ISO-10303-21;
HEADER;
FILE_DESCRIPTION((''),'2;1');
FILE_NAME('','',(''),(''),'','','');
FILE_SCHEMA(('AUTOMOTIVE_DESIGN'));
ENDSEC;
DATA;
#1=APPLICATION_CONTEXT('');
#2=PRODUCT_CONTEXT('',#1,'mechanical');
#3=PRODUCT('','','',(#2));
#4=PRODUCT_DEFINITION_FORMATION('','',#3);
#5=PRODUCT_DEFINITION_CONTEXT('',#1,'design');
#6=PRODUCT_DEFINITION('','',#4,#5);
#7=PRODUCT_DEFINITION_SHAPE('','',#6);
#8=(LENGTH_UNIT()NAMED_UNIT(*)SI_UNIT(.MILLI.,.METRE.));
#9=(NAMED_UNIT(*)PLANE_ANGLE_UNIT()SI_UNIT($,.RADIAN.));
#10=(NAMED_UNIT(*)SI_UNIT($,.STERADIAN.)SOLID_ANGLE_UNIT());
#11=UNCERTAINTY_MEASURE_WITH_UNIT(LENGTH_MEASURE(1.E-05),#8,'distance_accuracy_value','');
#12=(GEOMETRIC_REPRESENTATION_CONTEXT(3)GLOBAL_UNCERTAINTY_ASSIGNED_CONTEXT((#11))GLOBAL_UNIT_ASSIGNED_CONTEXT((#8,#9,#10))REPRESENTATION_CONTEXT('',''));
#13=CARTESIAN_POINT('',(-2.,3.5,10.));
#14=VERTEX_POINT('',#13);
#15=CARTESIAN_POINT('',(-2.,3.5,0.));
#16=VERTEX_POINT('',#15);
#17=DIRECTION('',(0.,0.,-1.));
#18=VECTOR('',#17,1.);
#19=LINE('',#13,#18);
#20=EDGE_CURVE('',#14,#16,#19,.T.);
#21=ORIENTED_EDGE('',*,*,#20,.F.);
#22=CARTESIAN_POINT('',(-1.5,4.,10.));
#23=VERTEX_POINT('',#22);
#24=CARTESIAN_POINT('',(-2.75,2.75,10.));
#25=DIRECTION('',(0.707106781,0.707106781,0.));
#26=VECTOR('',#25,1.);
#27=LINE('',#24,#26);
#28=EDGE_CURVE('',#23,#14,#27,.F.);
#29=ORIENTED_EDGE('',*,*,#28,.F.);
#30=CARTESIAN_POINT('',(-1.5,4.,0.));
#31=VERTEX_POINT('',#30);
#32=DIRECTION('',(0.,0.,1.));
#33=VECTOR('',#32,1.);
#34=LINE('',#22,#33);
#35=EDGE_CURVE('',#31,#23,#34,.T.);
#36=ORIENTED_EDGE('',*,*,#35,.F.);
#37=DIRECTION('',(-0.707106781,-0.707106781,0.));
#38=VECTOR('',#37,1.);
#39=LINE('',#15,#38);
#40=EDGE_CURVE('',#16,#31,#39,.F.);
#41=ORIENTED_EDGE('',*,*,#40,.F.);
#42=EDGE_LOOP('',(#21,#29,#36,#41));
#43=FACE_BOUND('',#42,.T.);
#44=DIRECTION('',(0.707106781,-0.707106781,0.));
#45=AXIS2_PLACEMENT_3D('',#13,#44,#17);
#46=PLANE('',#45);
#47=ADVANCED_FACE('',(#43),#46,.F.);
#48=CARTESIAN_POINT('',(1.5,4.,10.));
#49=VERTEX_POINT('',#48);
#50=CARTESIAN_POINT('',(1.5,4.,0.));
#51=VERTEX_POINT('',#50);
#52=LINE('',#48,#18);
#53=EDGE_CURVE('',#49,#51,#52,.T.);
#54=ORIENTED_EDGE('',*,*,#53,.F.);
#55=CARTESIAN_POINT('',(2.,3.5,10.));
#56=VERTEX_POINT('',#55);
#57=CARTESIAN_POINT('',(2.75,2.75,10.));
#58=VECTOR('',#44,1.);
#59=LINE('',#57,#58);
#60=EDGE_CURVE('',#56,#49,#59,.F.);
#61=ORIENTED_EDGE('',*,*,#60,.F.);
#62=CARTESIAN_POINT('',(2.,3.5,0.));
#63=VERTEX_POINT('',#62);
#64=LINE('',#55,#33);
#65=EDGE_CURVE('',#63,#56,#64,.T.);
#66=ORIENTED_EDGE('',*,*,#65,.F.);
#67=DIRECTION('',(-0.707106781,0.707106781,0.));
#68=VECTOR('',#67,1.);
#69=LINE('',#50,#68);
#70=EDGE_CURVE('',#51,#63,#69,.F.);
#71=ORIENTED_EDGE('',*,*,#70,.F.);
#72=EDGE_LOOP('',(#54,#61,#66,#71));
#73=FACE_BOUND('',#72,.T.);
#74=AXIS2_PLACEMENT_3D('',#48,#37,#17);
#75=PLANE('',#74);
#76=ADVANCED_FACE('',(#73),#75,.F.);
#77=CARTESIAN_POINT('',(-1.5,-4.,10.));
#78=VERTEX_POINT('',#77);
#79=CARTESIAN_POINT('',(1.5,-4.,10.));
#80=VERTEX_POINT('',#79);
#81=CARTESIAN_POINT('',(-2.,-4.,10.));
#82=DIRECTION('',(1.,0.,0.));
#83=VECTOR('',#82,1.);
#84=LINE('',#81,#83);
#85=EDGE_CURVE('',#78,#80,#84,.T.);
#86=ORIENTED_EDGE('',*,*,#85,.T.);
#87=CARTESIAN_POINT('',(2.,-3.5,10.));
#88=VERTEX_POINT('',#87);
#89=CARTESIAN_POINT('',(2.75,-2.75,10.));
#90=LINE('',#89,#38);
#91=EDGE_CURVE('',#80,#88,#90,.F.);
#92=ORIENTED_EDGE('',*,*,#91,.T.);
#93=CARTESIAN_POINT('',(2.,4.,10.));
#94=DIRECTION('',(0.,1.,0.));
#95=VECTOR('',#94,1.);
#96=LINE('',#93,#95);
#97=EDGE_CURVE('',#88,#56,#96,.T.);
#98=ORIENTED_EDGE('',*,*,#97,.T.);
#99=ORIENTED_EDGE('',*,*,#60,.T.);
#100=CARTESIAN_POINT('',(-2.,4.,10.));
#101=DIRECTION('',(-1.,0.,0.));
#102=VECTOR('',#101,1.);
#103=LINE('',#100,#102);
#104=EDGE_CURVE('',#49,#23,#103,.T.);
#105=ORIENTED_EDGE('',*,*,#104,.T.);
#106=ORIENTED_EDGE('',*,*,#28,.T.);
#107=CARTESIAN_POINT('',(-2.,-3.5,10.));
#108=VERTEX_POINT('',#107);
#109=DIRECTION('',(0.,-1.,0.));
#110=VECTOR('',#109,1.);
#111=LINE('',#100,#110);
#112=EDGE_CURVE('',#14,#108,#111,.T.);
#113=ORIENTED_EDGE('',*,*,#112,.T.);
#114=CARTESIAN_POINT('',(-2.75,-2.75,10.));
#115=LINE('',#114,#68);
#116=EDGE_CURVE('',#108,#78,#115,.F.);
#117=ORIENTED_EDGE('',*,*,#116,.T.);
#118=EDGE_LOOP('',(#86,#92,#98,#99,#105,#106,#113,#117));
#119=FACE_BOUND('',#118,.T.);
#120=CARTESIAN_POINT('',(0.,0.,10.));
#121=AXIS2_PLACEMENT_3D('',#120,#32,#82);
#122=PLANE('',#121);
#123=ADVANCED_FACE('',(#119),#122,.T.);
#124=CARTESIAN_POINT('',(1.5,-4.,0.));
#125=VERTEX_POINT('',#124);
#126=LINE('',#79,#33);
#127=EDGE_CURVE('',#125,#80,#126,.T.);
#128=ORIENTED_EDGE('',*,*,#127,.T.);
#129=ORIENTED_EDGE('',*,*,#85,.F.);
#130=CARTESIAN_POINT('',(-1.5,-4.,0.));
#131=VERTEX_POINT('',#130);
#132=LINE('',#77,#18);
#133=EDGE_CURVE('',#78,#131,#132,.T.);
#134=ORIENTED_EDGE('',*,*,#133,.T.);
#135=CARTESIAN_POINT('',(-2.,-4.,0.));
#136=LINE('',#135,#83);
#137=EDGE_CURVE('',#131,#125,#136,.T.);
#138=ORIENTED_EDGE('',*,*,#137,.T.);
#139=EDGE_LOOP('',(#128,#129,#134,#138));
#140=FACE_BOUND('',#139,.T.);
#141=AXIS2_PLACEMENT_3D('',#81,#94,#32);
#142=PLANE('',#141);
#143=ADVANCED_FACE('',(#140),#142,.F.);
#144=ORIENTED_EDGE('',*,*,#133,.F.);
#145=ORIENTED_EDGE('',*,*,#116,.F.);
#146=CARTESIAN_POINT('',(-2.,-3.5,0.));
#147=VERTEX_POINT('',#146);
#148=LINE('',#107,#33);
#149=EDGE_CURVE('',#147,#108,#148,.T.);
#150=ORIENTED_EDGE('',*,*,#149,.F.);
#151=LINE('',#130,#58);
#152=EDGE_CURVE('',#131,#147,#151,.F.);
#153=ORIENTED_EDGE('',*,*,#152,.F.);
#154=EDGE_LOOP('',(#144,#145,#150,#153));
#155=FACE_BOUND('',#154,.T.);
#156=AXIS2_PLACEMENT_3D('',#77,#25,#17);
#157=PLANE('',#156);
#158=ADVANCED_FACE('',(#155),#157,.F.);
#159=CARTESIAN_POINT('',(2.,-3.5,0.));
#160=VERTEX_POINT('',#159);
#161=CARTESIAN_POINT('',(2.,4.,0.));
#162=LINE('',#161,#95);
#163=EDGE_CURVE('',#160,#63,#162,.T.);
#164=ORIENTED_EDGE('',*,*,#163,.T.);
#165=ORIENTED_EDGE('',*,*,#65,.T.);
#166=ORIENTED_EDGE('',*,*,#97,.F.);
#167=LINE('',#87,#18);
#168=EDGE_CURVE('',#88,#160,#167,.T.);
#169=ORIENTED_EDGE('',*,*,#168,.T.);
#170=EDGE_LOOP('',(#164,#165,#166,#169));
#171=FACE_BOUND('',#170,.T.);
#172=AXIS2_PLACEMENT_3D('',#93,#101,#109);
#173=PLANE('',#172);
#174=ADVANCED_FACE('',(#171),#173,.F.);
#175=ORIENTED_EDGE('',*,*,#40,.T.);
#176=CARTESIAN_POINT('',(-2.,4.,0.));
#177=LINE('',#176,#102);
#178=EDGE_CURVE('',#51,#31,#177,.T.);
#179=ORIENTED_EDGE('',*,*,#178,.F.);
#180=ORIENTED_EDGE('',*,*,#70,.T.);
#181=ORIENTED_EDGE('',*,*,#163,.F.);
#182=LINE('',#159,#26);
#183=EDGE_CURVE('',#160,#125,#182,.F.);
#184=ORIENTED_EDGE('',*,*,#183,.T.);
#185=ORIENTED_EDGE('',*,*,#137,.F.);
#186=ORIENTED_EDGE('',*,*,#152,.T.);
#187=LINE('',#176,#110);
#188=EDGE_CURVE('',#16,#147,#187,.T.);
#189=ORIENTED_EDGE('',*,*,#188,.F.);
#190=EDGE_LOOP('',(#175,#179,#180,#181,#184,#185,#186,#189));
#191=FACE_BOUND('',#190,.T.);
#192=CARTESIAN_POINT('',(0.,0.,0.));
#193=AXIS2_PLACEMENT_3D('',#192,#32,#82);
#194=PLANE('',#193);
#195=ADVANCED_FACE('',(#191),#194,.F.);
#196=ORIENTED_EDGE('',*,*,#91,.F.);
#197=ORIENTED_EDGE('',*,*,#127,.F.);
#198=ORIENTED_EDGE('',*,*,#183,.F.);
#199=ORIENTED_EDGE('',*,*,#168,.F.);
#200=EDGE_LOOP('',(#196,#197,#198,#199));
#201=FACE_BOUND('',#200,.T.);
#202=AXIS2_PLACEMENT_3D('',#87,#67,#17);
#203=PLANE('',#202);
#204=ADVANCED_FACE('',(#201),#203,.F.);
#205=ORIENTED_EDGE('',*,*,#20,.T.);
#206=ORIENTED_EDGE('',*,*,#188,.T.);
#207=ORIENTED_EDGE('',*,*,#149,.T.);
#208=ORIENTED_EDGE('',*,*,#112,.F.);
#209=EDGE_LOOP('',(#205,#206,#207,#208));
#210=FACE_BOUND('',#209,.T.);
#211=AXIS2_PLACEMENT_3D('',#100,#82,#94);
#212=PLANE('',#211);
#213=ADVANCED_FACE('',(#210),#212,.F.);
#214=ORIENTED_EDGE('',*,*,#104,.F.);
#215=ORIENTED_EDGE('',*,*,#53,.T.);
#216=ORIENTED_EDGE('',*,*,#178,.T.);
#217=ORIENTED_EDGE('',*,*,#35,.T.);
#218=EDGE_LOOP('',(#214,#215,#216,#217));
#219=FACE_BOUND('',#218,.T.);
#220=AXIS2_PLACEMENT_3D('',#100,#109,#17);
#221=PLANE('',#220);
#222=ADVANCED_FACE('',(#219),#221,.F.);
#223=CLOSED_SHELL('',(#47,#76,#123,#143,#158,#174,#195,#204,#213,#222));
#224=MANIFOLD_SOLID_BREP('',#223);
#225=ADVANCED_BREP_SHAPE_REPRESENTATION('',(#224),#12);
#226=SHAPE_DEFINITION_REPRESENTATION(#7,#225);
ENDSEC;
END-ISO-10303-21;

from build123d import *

# Parameters (mm, degrees)
SKETCH1_W           = 4
SKETCH1_H           = 8
BOSS_EXTRUDE1_DEPTH = 10
CHAMFER1_SIZE       = 0.5


with BuildPart() as part:
    # Sketch1 → Boss-Extrude1 (new body)
    with BuildSketch(Plane.XY):
        Rectangle(SKETCH1_W, SKETCH1_H)
    extrude(amount=BOSS_EXTRUDE1_DEPTH)

    # Chamfer1
    chamfer1_edges = [part.edges().sort_by_distance(p)[0] for p in [
        (2, -4, 5),
        (-2, -4, 5),
        (-2, 4, 5),
        (2, 4, 5),
    ]]
    chamfer(chamfer1_edges, length=CHAMFER1_SIZE)


solid = part.part
